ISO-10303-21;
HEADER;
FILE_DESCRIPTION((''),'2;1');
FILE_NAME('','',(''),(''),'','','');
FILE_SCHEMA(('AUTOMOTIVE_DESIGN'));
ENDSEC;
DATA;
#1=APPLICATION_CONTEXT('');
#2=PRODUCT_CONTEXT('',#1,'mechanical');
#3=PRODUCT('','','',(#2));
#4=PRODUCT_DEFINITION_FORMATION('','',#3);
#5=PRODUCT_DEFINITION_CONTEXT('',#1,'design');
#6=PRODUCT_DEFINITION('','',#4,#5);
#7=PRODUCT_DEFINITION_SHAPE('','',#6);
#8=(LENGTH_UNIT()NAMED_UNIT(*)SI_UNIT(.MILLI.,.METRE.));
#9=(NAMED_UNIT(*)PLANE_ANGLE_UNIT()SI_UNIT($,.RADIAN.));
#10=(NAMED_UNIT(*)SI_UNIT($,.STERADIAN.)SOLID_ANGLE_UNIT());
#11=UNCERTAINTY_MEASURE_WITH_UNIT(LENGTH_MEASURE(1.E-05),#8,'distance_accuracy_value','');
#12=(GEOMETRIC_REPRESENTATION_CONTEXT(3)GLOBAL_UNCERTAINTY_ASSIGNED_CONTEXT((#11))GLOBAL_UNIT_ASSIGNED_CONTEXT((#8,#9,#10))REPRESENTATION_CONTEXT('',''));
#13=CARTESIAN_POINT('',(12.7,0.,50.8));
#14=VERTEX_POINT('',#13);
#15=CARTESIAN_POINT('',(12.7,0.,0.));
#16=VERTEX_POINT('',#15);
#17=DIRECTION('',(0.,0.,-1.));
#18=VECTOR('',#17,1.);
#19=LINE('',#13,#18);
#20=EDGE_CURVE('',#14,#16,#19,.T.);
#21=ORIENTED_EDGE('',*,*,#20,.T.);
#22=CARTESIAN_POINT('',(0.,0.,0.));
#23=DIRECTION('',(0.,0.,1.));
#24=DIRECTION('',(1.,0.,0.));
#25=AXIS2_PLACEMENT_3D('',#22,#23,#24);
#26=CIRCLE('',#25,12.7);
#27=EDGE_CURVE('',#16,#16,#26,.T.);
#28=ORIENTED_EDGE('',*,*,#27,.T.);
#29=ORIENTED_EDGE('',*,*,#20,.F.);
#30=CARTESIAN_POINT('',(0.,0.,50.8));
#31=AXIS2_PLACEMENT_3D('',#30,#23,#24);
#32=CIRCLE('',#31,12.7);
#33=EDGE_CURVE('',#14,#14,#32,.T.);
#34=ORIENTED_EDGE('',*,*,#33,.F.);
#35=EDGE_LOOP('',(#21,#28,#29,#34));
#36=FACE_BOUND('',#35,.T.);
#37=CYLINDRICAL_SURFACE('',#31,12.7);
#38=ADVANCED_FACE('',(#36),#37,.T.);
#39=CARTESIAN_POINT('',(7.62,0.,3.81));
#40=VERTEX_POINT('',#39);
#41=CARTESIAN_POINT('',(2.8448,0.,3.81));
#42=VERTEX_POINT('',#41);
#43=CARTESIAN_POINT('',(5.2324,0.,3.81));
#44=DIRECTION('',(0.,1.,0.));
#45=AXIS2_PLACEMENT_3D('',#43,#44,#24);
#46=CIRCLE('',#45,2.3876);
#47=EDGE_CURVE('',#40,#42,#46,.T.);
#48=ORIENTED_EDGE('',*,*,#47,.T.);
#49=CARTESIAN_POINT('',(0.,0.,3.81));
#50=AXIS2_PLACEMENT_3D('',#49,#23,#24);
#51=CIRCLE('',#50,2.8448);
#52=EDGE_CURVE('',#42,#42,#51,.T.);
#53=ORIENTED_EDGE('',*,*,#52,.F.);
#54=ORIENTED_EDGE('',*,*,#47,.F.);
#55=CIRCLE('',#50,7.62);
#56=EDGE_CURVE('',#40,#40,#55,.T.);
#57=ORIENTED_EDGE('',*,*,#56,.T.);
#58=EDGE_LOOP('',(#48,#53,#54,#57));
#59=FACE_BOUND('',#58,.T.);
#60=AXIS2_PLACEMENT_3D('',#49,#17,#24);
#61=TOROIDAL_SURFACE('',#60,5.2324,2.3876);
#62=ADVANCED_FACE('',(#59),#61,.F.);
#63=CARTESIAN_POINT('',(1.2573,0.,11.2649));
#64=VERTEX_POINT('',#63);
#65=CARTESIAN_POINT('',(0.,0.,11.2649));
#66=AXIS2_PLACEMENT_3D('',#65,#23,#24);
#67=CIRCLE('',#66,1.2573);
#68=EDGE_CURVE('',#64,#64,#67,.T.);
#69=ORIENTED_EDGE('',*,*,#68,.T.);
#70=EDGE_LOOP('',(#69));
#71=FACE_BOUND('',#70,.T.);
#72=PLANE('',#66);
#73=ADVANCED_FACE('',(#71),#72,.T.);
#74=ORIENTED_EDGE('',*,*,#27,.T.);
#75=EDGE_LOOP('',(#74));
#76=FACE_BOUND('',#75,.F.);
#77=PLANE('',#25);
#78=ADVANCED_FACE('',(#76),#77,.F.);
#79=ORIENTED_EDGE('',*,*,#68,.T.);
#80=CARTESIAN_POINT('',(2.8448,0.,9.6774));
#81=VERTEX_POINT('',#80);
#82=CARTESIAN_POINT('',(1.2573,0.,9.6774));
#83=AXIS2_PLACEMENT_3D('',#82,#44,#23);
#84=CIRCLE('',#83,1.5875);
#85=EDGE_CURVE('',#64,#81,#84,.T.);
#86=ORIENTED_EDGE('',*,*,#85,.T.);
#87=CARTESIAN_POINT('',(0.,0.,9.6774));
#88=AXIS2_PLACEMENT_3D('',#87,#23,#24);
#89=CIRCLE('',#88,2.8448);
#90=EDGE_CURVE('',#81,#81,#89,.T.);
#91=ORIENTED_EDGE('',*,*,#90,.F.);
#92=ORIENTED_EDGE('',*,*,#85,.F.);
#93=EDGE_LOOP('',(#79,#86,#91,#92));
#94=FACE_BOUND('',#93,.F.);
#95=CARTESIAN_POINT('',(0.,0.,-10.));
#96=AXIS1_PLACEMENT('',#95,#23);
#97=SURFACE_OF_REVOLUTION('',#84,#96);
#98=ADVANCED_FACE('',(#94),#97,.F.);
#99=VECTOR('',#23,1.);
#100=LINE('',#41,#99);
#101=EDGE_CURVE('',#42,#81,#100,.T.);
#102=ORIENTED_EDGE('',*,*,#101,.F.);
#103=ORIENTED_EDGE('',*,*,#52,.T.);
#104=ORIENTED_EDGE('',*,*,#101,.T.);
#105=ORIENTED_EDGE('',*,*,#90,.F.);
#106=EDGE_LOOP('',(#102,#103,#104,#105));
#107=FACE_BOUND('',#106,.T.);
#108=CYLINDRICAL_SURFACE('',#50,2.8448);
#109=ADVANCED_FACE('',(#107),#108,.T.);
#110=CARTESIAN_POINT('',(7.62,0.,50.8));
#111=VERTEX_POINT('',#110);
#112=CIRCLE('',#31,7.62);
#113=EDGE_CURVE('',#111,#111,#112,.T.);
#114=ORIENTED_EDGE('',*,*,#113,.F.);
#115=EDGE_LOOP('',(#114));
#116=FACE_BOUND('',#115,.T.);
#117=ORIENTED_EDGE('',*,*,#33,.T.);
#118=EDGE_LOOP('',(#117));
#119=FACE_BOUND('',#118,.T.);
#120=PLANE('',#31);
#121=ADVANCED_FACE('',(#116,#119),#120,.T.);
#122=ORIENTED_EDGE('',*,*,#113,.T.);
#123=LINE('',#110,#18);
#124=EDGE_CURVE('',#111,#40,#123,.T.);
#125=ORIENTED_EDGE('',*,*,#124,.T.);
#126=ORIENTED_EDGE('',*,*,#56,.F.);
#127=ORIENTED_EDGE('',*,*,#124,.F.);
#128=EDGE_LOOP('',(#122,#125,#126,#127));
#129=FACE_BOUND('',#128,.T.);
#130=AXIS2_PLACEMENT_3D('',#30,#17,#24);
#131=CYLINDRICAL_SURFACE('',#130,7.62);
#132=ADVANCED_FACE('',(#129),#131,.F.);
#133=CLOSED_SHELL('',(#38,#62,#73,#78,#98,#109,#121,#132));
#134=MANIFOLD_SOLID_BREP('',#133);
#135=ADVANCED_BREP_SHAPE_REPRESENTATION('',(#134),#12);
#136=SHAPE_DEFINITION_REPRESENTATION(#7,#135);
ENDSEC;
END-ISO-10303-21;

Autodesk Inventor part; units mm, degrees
ref_plane "YZ Plane" through (0, 0, 0) normal (1, 0, 0) x (0, 1, 0)
ref_plane "XZ Plane" through (0, 0, 0) normal (0, 1, 0) x (-1, 0, 0)
ref_plane "XY Plane" through (0, 0, 0) normal (0, 0, 1) x (1, 0, 0)
sketch "Sketch1" plane through (0, 0, 50.8) normal (0, 0, 1) x (1, 0, 0)
  circle A0 centre (0, 0) radius 12.7
sketch "Sketch2" plane through (0, 0, 0) normal (0, 1, 0) x (-1, 0, 0)
  line L0 (0, 50.8) -> (-7.62, 50.8)
  line L1 (-7.62, 50.8) -> (-7.62, 3.81)
  arc A0 (-7.62, 3.81) -> (-2.8448, 3.81) centre (-5.2324, 3.81) ccw
  line L2 (-2.8448, 3.81) -> (-2.8448, 9.6774)
  arc A1 (-1.2573, 11.2649) -> (-2.8448, 9.6774) centre (-1.2573, 9.6774) ccw
  line L3 (-1.2573, 11.2649) -> (0, 11.2649)
  line L4 (0, 11.2649) -> (0, 50.8)
  line L5 (0, -10.16) -> (0, 60.96) projected
extrude "Extrusion1" add sketch "Sketch1" against normal blind 50.8
revolve "Revolution1" cut sketch "Sketch2" angle 360 about axis through (0, 0, -10) along (0, 0, 1)
properties part number "coax_test"
